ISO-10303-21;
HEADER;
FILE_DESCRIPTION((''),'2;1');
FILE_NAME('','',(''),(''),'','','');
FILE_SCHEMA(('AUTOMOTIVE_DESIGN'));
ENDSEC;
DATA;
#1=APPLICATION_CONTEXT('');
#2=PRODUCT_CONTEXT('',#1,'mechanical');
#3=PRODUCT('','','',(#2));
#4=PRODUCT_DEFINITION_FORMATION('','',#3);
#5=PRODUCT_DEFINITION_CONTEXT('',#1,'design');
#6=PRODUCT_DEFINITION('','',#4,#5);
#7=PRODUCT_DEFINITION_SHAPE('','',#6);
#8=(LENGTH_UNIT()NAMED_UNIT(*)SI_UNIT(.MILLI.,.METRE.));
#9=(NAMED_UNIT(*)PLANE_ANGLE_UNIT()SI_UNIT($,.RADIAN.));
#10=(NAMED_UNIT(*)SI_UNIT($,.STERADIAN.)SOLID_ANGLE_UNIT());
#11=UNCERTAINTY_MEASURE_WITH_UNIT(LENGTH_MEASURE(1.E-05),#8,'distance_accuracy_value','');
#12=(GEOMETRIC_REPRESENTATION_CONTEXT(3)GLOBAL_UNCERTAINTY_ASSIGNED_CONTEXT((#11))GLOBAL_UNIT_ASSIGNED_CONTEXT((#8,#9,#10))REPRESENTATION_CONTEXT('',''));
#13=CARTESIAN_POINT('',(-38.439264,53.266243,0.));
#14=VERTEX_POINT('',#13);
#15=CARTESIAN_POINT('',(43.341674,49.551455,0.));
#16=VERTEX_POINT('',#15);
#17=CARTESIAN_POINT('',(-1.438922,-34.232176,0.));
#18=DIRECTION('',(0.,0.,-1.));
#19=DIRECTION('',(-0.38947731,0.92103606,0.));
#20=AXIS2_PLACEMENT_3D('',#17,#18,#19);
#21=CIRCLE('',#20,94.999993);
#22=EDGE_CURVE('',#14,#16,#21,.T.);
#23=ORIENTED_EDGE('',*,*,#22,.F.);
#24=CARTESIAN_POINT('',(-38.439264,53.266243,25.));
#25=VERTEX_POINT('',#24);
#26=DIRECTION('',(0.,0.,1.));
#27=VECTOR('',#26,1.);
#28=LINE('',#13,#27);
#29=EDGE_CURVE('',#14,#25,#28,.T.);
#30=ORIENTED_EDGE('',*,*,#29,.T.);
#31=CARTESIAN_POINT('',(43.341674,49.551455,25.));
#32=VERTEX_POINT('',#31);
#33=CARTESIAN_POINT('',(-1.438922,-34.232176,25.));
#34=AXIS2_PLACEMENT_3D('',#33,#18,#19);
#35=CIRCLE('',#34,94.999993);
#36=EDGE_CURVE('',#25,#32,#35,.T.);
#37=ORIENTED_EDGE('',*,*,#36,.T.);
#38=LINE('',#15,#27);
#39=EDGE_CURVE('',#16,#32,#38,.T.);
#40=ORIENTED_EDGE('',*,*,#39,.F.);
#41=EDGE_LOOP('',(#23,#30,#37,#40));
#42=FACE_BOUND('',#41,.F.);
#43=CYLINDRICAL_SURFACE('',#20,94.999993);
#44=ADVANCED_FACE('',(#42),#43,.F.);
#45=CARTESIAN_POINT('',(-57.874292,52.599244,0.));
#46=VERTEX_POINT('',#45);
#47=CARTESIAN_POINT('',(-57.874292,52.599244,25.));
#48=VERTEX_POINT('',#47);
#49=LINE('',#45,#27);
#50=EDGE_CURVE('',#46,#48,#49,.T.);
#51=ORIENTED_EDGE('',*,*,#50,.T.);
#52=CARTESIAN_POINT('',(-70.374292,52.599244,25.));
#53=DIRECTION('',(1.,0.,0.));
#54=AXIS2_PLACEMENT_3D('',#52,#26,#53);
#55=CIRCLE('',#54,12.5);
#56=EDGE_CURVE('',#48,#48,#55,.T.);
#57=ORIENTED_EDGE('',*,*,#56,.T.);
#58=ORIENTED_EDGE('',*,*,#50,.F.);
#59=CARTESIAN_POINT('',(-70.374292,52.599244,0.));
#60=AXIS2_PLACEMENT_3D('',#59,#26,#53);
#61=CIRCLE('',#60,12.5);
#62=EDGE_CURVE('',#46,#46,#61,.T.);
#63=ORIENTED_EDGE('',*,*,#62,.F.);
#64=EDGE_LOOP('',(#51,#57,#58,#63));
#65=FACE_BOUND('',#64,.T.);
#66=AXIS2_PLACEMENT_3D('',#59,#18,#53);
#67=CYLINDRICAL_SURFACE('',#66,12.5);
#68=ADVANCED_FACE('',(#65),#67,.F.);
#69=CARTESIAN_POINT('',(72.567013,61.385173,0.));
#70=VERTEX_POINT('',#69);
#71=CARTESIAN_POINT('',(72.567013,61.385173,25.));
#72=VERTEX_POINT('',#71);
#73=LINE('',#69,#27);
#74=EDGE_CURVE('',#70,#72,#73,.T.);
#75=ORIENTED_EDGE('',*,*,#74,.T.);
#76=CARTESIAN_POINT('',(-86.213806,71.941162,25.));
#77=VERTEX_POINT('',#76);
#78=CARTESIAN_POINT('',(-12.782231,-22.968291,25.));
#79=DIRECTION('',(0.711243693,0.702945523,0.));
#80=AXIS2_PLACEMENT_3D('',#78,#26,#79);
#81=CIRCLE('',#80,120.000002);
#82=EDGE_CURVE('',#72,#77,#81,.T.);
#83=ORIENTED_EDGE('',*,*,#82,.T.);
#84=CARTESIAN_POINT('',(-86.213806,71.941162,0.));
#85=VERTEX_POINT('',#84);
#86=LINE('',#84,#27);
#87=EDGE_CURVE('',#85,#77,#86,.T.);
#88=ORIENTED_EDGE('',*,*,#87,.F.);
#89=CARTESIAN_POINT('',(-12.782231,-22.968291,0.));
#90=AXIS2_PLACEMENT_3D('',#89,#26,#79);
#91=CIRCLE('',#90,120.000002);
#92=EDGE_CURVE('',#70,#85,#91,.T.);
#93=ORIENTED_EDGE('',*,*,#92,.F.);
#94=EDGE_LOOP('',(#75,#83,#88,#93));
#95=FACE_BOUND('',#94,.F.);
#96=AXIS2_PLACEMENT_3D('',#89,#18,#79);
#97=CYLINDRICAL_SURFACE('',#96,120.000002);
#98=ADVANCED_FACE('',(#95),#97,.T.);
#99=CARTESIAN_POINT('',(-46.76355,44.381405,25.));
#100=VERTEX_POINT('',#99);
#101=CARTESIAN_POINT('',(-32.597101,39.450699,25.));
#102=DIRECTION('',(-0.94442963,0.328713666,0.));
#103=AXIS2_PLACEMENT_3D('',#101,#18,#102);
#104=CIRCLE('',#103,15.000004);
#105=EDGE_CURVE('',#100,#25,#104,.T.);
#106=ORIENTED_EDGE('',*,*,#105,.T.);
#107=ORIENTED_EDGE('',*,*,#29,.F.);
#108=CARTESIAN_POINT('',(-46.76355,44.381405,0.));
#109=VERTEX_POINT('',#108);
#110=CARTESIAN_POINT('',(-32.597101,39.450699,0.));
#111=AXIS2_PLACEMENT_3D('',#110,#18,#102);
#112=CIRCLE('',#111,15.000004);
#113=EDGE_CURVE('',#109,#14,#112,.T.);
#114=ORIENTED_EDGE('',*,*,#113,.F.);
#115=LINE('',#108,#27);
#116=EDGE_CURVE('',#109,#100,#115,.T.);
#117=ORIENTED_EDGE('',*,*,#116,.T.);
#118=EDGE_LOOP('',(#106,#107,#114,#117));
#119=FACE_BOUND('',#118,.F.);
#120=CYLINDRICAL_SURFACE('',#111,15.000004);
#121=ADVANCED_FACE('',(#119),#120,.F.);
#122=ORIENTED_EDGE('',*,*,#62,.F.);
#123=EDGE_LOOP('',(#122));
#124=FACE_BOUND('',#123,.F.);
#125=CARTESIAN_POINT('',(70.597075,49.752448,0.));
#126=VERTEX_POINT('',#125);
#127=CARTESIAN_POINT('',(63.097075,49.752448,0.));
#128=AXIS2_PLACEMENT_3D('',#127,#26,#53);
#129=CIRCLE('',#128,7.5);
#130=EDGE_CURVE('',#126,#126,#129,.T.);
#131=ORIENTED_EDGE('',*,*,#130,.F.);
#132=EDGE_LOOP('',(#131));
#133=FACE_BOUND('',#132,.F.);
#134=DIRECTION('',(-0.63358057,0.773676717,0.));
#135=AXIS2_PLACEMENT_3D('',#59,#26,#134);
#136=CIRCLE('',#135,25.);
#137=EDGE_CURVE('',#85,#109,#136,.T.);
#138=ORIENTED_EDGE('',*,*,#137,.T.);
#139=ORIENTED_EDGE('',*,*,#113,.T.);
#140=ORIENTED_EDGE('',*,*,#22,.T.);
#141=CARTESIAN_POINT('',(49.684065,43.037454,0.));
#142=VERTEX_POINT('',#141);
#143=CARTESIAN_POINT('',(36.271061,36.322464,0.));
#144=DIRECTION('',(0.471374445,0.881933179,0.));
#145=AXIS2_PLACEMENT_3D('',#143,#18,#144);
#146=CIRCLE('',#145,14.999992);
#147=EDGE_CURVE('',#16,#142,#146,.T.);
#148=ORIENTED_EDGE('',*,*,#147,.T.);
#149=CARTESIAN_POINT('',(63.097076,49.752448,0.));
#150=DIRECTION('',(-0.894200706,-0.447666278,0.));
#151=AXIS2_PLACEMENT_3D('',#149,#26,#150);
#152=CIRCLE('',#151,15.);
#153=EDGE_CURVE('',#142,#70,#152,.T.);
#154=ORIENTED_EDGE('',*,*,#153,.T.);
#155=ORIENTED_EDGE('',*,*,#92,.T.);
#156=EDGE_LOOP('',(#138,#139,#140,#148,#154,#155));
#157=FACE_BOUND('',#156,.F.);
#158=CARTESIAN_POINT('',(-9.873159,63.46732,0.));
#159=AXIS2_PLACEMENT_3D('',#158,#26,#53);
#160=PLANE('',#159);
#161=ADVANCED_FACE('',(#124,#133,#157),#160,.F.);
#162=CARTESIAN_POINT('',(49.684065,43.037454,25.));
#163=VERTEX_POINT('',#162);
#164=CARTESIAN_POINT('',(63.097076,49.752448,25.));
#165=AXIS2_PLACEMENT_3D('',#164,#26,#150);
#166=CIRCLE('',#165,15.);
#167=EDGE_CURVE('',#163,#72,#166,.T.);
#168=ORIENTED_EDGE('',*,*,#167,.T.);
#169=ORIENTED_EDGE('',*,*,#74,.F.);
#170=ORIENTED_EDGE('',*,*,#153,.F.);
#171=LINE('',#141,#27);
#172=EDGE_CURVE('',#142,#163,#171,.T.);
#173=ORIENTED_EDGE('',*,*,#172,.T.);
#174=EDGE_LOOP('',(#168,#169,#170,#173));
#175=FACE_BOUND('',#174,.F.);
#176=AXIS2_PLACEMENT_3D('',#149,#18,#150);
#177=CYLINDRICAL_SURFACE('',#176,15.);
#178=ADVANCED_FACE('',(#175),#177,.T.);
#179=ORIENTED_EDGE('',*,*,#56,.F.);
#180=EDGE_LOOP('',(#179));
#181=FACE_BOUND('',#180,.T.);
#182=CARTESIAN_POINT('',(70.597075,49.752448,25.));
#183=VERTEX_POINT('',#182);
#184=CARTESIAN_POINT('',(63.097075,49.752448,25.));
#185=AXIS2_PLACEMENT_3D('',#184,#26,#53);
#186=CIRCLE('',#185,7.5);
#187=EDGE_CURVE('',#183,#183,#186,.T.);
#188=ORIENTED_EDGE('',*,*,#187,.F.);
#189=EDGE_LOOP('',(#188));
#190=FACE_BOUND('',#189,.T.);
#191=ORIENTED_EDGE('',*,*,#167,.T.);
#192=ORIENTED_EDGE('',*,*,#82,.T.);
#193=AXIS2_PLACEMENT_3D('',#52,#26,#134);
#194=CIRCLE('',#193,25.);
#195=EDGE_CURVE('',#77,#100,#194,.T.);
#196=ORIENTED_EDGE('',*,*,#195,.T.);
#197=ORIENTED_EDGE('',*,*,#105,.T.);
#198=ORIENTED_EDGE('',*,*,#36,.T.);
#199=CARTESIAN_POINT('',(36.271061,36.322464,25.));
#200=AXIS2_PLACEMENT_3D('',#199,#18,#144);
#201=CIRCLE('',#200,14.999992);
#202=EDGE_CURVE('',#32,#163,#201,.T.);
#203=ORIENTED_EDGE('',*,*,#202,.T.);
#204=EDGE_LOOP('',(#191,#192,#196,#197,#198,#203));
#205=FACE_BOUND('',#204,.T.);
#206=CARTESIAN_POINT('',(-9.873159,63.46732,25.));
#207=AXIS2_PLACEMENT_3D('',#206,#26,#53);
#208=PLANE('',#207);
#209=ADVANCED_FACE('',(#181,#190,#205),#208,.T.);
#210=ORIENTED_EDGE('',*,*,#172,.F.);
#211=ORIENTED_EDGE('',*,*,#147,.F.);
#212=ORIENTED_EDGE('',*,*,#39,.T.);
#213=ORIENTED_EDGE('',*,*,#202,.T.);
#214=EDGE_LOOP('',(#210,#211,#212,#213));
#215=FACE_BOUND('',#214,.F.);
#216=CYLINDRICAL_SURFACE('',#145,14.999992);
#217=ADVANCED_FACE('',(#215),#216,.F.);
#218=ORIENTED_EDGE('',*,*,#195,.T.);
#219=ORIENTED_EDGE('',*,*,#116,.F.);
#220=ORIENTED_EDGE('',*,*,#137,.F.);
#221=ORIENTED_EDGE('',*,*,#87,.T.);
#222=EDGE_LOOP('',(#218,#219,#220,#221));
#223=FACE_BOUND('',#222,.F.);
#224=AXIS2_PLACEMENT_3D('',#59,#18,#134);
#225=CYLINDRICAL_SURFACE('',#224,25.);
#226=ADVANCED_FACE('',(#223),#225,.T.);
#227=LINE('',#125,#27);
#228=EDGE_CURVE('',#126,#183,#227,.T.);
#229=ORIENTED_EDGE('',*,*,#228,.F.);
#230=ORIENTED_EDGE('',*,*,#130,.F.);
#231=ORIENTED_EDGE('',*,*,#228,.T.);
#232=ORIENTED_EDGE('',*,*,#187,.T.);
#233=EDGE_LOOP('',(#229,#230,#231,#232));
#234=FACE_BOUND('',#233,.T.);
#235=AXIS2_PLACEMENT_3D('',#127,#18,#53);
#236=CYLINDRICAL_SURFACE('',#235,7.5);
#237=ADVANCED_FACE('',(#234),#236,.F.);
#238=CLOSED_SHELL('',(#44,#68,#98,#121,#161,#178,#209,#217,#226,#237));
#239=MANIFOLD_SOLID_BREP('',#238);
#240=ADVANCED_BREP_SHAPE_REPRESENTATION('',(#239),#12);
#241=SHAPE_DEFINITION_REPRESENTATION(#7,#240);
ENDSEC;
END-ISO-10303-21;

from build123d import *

# Parameters (mm, degrees)
F0_R     = 12.5
F0_R_2   = 7.5
F1_DEPTH = 25


with BuildPart() as f1:
    # F0 (on Top) → F1 (new body)
    with BuildSketch(Plane.XY):
        with BuildLine():
            ThreePointArc((72.567013, 61.385173), (-4.822021, 96.767399), (-86.213806, 71.941162))
            ThreePointArc((-86.213806, 71.941162), (-84.691521, 32.104929), (-46.76355, 44.381405))
            ThreePointArc((-46.76355, 44.381405), (-43.543389, 49.706376), (-38.439264, 53.266243))
            ThreePointArc((-38.439264, 53.266243), (2.871879, 60.669961), (43.341674, 49.551455))
            ThreePointArc((43.341674, 49.551455), (47.018279, 46.786549), (49.684065, 43.037454))
            ThreePointArc((49.684065, 43.037454), (72.480393, 38.049741), (72.567013, 61.385173))
        make_face()
        with Locations((-70.374292, 52.599244)):
            Circle(F0_R, mode=Mode.SUBTRACT)
        with Locations((63.097075, 49.752448)):
            Circle(F0_R_2, mode=Mode.SUBTRACT)
    extrude(amount=F1_DEPTH)


solid = f1.part
